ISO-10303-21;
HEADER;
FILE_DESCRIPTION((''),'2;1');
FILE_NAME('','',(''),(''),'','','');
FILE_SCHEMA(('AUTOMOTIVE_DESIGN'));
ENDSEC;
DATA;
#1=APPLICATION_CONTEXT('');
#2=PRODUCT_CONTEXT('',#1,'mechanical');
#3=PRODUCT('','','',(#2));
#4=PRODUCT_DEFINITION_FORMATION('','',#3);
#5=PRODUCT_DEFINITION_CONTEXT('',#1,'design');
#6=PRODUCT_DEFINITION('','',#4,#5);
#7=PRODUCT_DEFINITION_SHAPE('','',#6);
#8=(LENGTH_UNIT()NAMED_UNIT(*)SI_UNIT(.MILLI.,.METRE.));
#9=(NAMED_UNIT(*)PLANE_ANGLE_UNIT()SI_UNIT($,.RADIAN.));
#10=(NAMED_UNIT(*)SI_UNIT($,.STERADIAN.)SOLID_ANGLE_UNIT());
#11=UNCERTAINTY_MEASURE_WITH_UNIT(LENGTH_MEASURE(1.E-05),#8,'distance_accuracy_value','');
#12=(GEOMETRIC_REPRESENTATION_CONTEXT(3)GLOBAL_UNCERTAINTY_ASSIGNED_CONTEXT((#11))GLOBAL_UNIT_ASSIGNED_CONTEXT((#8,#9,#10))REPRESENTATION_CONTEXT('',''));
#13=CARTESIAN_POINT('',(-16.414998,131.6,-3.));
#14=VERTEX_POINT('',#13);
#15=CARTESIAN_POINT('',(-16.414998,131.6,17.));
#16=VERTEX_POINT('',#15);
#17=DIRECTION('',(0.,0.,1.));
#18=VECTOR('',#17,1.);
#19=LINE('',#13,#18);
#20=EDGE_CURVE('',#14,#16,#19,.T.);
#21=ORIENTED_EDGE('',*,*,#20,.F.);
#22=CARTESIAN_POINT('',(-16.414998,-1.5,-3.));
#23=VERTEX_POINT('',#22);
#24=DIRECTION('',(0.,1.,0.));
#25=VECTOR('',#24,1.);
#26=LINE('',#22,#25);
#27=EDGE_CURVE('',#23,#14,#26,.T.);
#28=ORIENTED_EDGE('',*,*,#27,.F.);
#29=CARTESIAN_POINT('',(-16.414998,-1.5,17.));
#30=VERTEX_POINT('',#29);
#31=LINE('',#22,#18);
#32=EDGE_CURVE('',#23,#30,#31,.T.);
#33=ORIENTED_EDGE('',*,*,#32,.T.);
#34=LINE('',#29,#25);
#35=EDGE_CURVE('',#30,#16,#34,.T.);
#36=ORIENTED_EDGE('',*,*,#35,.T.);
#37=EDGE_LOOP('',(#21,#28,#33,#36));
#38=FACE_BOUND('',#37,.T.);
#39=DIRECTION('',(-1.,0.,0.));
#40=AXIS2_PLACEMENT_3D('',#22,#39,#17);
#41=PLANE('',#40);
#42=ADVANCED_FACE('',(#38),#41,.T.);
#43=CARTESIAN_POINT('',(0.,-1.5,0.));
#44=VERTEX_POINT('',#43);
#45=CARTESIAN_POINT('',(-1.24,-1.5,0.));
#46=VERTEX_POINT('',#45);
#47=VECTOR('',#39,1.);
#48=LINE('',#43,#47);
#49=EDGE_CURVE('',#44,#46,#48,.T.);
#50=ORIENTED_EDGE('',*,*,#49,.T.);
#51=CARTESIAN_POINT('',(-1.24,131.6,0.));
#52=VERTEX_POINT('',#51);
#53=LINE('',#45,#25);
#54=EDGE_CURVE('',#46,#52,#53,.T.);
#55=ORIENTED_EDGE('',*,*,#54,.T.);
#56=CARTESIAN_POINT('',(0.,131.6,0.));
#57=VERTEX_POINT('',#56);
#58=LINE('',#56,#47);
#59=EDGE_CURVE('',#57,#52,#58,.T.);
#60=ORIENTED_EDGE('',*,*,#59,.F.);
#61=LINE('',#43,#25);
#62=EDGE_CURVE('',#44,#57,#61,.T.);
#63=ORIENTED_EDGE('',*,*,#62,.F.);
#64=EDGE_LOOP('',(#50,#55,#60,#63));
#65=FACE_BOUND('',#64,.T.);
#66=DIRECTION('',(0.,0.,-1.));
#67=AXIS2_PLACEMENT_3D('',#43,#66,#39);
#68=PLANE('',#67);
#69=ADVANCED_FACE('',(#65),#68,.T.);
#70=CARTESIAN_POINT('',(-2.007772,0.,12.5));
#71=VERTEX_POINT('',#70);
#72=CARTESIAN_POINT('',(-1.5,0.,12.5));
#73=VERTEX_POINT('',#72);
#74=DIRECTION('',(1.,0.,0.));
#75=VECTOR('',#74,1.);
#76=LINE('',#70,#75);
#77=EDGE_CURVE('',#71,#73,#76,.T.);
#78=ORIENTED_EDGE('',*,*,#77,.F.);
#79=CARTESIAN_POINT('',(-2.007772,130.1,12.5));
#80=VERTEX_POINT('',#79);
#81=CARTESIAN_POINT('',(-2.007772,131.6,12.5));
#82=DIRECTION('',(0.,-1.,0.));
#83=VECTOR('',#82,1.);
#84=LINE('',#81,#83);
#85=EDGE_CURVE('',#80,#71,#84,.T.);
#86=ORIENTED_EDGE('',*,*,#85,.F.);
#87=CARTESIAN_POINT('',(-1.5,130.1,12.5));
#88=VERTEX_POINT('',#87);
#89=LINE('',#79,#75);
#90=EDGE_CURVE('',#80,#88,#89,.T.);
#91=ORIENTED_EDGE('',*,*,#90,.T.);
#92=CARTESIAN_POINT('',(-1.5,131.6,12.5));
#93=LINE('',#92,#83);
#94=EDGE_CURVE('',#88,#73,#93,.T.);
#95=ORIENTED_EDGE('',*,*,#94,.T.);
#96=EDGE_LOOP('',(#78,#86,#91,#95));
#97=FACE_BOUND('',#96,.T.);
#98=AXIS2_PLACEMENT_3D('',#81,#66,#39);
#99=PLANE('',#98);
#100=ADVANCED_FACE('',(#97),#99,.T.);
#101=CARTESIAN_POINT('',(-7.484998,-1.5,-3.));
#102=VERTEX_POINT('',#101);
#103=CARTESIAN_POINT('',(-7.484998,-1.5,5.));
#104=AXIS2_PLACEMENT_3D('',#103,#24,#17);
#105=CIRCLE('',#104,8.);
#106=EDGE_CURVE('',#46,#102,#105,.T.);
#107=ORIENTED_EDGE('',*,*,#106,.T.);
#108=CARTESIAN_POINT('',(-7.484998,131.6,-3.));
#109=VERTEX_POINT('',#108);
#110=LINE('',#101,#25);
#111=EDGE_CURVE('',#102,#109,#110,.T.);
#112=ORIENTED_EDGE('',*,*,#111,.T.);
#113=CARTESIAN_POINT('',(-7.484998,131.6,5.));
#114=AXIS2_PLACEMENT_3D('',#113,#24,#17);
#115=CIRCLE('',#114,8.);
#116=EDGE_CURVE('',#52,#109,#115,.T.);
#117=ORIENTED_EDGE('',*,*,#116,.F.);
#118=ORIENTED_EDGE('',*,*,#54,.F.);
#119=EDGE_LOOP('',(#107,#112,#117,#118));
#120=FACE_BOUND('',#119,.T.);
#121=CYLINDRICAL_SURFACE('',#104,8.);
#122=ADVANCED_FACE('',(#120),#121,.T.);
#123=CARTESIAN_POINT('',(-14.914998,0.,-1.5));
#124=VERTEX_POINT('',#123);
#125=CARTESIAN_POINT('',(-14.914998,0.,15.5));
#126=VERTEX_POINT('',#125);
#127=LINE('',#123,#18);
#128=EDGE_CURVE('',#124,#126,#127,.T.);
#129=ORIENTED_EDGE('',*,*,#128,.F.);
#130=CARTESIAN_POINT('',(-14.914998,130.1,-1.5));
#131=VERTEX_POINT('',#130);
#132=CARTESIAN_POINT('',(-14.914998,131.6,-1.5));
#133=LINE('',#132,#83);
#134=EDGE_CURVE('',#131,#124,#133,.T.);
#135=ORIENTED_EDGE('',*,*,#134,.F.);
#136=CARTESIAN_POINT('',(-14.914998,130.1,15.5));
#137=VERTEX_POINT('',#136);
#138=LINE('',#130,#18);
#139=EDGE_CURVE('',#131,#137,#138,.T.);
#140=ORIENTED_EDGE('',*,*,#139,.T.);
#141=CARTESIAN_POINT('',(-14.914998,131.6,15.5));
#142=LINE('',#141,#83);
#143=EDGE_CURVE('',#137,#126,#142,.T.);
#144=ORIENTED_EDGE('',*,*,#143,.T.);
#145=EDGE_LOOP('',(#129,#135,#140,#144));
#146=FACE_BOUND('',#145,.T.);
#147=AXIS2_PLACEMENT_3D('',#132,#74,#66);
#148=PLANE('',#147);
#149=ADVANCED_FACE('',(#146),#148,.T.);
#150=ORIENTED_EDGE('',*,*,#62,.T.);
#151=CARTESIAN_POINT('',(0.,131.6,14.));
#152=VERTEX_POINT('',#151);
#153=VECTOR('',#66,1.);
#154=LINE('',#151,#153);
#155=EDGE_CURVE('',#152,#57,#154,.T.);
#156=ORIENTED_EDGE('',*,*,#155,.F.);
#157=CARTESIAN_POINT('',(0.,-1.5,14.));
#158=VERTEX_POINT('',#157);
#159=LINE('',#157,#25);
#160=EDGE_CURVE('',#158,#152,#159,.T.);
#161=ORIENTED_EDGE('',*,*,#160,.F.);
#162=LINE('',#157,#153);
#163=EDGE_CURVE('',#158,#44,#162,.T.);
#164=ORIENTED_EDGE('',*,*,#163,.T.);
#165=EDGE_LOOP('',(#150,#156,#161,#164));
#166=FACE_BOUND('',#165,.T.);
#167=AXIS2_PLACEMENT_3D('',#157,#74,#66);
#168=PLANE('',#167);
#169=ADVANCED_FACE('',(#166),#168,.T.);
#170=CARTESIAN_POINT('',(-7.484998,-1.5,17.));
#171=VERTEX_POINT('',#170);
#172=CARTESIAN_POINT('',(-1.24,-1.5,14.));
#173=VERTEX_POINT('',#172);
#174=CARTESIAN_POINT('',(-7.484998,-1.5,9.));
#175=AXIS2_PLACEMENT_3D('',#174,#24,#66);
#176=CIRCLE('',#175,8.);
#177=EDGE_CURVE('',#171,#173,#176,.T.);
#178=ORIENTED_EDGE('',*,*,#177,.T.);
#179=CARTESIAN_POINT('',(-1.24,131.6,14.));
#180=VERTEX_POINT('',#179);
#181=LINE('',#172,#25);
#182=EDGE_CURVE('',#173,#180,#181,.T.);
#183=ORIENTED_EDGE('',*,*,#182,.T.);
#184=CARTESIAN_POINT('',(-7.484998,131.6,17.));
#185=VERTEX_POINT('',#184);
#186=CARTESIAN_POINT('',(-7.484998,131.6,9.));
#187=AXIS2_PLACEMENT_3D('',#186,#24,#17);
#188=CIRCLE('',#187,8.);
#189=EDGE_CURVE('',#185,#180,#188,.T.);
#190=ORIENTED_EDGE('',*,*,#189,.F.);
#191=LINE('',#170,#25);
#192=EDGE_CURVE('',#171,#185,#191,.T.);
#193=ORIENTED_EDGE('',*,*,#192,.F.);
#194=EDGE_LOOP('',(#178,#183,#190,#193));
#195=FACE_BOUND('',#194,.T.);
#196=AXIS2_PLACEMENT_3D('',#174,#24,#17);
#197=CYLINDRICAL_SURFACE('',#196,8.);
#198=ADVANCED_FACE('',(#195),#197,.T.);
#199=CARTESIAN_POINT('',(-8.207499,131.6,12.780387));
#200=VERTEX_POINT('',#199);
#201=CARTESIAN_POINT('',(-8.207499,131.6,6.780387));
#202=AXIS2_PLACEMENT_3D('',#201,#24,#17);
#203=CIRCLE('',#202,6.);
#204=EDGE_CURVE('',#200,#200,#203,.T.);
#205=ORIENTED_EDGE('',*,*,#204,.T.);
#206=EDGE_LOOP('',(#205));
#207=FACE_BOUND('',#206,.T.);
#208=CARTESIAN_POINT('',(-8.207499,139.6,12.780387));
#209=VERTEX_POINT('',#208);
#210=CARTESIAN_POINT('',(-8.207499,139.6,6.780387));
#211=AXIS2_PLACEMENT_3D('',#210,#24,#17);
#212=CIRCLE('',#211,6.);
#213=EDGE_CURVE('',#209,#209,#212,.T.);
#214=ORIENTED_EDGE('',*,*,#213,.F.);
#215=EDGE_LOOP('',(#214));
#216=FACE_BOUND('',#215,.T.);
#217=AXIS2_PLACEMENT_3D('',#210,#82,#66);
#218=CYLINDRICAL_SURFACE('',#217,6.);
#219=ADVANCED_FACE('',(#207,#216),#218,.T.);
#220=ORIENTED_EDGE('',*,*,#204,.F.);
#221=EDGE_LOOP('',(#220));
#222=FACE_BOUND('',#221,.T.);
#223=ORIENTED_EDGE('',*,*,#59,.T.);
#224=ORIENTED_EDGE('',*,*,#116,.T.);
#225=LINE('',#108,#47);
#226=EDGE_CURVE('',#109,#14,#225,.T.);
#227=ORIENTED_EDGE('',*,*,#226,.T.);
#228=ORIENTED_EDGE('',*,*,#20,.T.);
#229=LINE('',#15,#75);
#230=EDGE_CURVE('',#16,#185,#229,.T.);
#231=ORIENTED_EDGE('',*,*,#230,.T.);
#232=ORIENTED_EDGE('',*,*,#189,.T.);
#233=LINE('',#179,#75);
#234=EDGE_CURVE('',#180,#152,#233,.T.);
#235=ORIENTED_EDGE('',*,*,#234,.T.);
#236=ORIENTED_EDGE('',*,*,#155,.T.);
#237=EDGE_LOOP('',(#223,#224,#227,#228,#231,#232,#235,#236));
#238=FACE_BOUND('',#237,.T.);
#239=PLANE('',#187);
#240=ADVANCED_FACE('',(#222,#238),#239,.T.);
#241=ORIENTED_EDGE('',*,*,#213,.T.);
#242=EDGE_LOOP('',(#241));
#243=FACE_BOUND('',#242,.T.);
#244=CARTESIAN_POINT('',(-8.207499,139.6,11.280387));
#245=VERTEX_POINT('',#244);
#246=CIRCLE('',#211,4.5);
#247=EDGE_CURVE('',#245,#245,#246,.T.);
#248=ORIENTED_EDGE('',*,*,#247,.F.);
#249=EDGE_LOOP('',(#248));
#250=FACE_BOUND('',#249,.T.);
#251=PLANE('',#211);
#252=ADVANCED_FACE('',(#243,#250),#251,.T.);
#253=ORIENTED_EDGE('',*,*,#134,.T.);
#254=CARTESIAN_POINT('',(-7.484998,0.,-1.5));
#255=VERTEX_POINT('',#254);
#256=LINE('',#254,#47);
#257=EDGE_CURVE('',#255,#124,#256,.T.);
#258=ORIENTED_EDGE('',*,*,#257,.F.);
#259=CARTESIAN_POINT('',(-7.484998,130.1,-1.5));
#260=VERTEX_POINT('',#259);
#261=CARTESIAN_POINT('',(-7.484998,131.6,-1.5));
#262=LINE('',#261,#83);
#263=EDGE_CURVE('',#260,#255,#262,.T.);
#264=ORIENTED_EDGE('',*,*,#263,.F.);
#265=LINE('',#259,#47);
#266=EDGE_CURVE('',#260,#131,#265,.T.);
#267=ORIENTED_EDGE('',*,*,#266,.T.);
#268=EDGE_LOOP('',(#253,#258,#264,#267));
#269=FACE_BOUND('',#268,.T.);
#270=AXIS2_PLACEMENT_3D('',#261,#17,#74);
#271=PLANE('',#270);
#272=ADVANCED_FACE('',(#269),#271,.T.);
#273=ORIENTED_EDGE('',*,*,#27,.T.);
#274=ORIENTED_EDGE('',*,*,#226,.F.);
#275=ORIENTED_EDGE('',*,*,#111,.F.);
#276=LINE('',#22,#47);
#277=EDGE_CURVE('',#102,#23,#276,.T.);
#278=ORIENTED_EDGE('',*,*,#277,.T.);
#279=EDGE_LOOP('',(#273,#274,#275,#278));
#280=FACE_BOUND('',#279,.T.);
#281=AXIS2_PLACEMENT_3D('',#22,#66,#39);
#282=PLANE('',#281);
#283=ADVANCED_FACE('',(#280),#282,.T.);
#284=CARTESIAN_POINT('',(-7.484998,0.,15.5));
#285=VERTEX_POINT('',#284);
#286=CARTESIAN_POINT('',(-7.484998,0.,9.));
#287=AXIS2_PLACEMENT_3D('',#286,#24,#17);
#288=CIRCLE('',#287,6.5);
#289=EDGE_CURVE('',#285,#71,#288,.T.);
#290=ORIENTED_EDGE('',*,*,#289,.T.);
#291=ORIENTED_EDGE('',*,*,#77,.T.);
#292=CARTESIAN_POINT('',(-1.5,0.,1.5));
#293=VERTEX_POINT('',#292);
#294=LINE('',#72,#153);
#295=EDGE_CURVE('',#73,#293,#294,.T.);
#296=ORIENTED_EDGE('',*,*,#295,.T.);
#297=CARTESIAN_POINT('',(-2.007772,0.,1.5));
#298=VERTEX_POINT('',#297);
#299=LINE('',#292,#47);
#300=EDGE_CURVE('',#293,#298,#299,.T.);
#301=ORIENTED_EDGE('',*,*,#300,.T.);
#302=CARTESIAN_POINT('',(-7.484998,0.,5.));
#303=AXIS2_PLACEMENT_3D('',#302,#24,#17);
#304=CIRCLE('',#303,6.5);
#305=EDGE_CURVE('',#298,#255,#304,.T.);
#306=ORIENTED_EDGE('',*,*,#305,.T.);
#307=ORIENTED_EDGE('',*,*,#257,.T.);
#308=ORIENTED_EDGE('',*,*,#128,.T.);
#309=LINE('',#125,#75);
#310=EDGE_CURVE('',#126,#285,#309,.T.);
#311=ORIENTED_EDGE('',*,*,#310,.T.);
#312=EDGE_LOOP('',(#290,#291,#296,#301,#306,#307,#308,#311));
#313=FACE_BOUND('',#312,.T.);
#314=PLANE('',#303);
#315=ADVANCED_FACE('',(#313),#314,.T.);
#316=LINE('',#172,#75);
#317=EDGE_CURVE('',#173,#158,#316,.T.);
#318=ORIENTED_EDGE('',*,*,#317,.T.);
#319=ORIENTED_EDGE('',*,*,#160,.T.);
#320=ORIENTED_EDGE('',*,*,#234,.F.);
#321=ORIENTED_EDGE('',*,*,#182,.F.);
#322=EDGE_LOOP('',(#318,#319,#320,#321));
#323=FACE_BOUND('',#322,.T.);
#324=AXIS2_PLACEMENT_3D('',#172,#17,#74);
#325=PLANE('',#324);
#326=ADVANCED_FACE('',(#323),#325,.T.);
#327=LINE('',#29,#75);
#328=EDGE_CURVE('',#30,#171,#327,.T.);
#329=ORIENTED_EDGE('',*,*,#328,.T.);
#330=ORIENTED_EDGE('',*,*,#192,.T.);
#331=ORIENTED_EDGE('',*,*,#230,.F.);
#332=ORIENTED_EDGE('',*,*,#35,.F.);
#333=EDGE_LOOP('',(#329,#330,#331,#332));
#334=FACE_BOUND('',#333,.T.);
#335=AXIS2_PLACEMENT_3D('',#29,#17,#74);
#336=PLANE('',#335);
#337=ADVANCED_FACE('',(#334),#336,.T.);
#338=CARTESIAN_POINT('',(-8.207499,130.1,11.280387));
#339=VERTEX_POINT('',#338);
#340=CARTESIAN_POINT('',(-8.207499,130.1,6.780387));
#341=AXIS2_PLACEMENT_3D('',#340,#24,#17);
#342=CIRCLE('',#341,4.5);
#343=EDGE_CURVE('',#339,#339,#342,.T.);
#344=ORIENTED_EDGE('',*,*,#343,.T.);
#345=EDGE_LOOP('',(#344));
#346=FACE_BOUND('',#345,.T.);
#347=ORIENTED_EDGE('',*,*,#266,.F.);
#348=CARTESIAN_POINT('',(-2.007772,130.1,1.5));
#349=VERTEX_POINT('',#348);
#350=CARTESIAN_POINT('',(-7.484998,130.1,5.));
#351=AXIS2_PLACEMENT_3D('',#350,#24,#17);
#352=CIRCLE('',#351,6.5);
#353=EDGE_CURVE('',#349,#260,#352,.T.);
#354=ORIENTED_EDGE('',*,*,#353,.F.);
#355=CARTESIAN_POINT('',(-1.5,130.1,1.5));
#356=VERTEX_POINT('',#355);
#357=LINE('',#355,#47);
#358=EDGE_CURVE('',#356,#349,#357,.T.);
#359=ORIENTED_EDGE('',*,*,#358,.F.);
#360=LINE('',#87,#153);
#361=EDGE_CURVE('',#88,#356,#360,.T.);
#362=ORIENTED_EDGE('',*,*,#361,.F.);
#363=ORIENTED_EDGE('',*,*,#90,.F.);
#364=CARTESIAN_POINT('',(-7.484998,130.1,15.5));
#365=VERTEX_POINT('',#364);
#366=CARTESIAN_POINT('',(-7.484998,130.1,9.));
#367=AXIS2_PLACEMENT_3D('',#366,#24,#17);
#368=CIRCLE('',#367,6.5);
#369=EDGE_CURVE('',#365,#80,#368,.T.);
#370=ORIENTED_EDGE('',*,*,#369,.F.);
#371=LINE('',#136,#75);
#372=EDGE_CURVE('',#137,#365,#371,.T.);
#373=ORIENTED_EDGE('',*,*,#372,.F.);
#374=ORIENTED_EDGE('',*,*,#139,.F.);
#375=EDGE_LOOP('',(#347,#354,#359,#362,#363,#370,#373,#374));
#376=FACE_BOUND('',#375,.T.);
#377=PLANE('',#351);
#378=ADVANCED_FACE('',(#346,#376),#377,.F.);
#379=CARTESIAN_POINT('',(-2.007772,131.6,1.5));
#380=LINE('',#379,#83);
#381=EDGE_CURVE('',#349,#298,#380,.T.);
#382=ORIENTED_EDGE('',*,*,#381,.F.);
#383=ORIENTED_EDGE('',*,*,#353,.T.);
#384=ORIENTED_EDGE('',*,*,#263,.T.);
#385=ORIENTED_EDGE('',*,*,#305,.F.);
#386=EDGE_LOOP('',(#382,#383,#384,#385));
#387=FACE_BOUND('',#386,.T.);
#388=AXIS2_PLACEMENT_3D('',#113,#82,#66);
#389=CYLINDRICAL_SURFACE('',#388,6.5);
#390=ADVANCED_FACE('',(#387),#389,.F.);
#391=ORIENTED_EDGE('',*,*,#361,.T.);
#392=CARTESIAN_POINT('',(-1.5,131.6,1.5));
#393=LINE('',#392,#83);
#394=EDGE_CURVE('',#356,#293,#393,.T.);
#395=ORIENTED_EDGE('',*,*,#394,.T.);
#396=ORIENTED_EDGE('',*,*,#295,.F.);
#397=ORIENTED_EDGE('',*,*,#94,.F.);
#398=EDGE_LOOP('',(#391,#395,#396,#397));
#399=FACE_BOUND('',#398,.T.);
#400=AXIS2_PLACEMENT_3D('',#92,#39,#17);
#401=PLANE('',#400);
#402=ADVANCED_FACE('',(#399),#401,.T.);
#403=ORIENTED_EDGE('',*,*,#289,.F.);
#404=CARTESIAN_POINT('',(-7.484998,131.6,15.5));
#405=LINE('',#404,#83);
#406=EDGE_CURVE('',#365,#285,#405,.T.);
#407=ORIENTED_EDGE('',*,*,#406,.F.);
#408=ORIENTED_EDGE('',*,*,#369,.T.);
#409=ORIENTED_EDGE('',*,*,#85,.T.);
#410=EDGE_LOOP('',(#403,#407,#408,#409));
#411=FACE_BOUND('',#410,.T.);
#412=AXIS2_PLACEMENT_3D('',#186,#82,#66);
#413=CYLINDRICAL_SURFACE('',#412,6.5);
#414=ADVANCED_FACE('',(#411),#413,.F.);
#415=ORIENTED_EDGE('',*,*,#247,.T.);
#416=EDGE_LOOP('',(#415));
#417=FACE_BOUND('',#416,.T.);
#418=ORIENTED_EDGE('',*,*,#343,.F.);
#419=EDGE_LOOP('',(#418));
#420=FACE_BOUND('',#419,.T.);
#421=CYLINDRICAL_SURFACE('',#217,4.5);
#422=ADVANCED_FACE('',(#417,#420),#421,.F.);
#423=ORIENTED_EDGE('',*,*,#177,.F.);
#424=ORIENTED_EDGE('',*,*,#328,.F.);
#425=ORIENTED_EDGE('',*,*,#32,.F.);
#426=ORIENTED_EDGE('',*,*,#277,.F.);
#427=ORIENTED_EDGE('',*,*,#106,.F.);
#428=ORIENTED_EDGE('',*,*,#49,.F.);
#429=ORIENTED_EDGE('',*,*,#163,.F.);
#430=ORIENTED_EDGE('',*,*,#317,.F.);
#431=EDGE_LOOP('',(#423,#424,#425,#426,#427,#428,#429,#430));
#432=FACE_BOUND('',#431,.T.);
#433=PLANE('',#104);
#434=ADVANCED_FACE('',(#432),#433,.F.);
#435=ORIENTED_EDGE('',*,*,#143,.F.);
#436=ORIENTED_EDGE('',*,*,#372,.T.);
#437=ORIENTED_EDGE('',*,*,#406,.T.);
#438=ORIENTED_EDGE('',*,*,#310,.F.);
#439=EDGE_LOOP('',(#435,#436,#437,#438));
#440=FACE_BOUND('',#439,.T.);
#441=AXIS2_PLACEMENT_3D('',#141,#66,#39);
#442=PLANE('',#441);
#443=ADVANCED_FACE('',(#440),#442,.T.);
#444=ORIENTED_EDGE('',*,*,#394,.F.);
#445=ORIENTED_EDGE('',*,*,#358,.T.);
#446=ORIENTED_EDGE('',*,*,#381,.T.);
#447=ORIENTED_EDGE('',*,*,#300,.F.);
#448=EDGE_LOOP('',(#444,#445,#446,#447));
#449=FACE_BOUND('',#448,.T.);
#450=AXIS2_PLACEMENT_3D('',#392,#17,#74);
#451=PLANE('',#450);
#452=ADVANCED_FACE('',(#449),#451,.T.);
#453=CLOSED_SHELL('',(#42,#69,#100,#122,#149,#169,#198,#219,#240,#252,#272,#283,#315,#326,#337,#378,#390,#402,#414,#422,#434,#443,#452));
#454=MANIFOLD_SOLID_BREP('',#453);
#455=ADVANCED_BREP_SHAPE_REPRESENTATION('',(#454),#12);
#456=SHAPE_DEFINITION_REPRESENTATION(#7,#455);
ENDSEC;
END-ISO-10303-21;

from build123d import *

# Parameters (mm, degrees)
BOSS_EXTRUDE1_DEPTH = 1.5
BOSS_EXTRUDE2_START = 131.6
BOSS_EXTRUDE2_DEPTH = 131.6
BOSS_EXTRUDE3_DEPTH = 1.5
SKETCH4_R           = 6
SKETCH4_R_2         = 4.5
BOSS_EXTRUDE4_DEPTH = 8
CUT_EXTRUDE2_START  = -8
SKETCH6_R           = 4.5
CUT_EXTRUDE2_DEPTH  = 8


with BuildPart() as part:
    # Sketch1 → Boss-Extrude1 (new body)
    with BuildSketch(Plane(origin=(0, 0, 0), x_dir=(1, 0, 0), z_dir=(0, 1, 0))):
        with BuildLine():
            Line((-16.414997998, 3), (-16.414997998, -17))
            Line((-16.414997998, -17), (-7.484997998, -17))
            ThreePointArc((-7.484997998, -17), (-4.020896383, -16.211102551), (-1.24, -14))
            Line((-1.24, -14), (0, -14))
            Line((0, -14), (0, 0))
            Line((0, 0), (-1.24, 0))
            ThreePointArc((-1.24, 0), (-4.020896383, 2.211102551), (-7.484997998, 3))
            Line((-7.484997998, 3), (-16.414997998, 3))
        make_face()
    extrude(amount=-BOSS_EXTRUDE1_DEPTH)

    # Sketch2 → Boss-Extrude2 (add)
    with BuildSketch(Plane(origin=(0, 0, 0), x_dir=(1, 0, 0), z_dir=(0, 1, 0)).offset(BOSS_EXTRUDE2_START)):
        with BuildLine():
            Line((-16.414997998, 3), (-16.414997998, -17))
            Line((-16.414997998, -17), (-7.484997998, -17))
            ThreePointArc((-7.484997998, -17), (-4.020896383, -16.211102551), (-1.24, -14))
            Line((-1.24, -14), (0, -14))
            Line((0, -14), (0, 0))
            Line((0, 0), (-1.24, 0))
            ThreePointArc((-1.24, 0), (-4.020896383, 2.211102551), (-7.484997998, 3))
            Line((-7.484997998, 3), (-16.414997998, 3))
        make_face()
        with BuildLine():
            Line((-7.484997998, 1.5), (-14.914997998, 1.5))
            Line((-14.914997998, 1.5), (-14.914997998, -15.5))
            Line((-14.914997998, -15.5), (-7.484997998, -15.5))
            ThreePointArc((-7.484997998, -15.5), (-4.362498999, -14.700877125), (-2.007772423, -12.5))
            Line((-2.007772423, -12.5), (-1.5, -12.5))
            Line((-1.5, -12.5), (-1.5, -1.5))
            Line((-1.5, -1.5), (-2.007772423, -1.5))
            ThreePointArc((-2.007772423, -1.5), (-4.362498999, 0.700877125), (-7.484997998, 1.5))
        make_face(mode=Mode.SUBTRACT)
    extrude(amount=-BOSS_EXTRUDE2_DEPTH)

    # Sketch3 → Boss-Extrude3 (add)
    with BuildSketch(Plane(origin=(0, 131.6, 0), x_dir=(1, 0, 0), z_dir=(0, 1, 0))):
        with BuildLine():
            Line((-7.484997998, 3), (-16.414997998, 3))
            Line((-16.414997998, 3), (-16.414997998, -17))
            Line((-16.414997998, -17), (-7.484997998, -17))
            ThreePointArc((-7.484997998, -17), (-4.020896383, -16.211102551), (-1.24, -14))
            Line((-1.24, -14), (0, -14))
            Line((0, -14), (0, 0))
            Line((0, 0), (-1.24, 0))
            ThreePointArc((-1.24, 0), (-4.020896383, 2.211102551), (-7.484997998, 3))
        make_face()
    extrude(amount=-BOSS_EXTRUDE3_DEPTH)

    # Sketch4 → Boss-Extrude4 (add)
    with BuildSketch(Plane(origin=(0, 131.6, 0), x_dir=(1, 0, 0), z_dir=(0, 1, 0))):
        with Locations(Location((-8.207498999, -6.780386744, 0), (0, 0, 270))):
            Circle(SKETCH4_R)
        with Locations(Location((-8.207498999, -6.780386744, 0), (0, 0, 270))):
            Circle(SKETCH4_R_2, mode=Mode.SUBTRACT)
    extrude(amount=BOSS_EXTRUDE4_DEPTH)

    # Sketch6 → Cut-Extrude2 (cut)
    with BuildSketch(Plane(origin=(0, 131.6, 0), x_dir=(1, 0, 0), z_dir=(0, 1, 0)).offset(CUT_EXTRUDE2_START)):
        with Locations(Location((-8.207498999, -6.780386744, 0), (0, 0, 270))):
            Circle(SKETCH6_R)
    extrude(amount=CUT_EXTRUDE2_DEPTH, mode=Mode.SUBTRACT)


solid = part.part
